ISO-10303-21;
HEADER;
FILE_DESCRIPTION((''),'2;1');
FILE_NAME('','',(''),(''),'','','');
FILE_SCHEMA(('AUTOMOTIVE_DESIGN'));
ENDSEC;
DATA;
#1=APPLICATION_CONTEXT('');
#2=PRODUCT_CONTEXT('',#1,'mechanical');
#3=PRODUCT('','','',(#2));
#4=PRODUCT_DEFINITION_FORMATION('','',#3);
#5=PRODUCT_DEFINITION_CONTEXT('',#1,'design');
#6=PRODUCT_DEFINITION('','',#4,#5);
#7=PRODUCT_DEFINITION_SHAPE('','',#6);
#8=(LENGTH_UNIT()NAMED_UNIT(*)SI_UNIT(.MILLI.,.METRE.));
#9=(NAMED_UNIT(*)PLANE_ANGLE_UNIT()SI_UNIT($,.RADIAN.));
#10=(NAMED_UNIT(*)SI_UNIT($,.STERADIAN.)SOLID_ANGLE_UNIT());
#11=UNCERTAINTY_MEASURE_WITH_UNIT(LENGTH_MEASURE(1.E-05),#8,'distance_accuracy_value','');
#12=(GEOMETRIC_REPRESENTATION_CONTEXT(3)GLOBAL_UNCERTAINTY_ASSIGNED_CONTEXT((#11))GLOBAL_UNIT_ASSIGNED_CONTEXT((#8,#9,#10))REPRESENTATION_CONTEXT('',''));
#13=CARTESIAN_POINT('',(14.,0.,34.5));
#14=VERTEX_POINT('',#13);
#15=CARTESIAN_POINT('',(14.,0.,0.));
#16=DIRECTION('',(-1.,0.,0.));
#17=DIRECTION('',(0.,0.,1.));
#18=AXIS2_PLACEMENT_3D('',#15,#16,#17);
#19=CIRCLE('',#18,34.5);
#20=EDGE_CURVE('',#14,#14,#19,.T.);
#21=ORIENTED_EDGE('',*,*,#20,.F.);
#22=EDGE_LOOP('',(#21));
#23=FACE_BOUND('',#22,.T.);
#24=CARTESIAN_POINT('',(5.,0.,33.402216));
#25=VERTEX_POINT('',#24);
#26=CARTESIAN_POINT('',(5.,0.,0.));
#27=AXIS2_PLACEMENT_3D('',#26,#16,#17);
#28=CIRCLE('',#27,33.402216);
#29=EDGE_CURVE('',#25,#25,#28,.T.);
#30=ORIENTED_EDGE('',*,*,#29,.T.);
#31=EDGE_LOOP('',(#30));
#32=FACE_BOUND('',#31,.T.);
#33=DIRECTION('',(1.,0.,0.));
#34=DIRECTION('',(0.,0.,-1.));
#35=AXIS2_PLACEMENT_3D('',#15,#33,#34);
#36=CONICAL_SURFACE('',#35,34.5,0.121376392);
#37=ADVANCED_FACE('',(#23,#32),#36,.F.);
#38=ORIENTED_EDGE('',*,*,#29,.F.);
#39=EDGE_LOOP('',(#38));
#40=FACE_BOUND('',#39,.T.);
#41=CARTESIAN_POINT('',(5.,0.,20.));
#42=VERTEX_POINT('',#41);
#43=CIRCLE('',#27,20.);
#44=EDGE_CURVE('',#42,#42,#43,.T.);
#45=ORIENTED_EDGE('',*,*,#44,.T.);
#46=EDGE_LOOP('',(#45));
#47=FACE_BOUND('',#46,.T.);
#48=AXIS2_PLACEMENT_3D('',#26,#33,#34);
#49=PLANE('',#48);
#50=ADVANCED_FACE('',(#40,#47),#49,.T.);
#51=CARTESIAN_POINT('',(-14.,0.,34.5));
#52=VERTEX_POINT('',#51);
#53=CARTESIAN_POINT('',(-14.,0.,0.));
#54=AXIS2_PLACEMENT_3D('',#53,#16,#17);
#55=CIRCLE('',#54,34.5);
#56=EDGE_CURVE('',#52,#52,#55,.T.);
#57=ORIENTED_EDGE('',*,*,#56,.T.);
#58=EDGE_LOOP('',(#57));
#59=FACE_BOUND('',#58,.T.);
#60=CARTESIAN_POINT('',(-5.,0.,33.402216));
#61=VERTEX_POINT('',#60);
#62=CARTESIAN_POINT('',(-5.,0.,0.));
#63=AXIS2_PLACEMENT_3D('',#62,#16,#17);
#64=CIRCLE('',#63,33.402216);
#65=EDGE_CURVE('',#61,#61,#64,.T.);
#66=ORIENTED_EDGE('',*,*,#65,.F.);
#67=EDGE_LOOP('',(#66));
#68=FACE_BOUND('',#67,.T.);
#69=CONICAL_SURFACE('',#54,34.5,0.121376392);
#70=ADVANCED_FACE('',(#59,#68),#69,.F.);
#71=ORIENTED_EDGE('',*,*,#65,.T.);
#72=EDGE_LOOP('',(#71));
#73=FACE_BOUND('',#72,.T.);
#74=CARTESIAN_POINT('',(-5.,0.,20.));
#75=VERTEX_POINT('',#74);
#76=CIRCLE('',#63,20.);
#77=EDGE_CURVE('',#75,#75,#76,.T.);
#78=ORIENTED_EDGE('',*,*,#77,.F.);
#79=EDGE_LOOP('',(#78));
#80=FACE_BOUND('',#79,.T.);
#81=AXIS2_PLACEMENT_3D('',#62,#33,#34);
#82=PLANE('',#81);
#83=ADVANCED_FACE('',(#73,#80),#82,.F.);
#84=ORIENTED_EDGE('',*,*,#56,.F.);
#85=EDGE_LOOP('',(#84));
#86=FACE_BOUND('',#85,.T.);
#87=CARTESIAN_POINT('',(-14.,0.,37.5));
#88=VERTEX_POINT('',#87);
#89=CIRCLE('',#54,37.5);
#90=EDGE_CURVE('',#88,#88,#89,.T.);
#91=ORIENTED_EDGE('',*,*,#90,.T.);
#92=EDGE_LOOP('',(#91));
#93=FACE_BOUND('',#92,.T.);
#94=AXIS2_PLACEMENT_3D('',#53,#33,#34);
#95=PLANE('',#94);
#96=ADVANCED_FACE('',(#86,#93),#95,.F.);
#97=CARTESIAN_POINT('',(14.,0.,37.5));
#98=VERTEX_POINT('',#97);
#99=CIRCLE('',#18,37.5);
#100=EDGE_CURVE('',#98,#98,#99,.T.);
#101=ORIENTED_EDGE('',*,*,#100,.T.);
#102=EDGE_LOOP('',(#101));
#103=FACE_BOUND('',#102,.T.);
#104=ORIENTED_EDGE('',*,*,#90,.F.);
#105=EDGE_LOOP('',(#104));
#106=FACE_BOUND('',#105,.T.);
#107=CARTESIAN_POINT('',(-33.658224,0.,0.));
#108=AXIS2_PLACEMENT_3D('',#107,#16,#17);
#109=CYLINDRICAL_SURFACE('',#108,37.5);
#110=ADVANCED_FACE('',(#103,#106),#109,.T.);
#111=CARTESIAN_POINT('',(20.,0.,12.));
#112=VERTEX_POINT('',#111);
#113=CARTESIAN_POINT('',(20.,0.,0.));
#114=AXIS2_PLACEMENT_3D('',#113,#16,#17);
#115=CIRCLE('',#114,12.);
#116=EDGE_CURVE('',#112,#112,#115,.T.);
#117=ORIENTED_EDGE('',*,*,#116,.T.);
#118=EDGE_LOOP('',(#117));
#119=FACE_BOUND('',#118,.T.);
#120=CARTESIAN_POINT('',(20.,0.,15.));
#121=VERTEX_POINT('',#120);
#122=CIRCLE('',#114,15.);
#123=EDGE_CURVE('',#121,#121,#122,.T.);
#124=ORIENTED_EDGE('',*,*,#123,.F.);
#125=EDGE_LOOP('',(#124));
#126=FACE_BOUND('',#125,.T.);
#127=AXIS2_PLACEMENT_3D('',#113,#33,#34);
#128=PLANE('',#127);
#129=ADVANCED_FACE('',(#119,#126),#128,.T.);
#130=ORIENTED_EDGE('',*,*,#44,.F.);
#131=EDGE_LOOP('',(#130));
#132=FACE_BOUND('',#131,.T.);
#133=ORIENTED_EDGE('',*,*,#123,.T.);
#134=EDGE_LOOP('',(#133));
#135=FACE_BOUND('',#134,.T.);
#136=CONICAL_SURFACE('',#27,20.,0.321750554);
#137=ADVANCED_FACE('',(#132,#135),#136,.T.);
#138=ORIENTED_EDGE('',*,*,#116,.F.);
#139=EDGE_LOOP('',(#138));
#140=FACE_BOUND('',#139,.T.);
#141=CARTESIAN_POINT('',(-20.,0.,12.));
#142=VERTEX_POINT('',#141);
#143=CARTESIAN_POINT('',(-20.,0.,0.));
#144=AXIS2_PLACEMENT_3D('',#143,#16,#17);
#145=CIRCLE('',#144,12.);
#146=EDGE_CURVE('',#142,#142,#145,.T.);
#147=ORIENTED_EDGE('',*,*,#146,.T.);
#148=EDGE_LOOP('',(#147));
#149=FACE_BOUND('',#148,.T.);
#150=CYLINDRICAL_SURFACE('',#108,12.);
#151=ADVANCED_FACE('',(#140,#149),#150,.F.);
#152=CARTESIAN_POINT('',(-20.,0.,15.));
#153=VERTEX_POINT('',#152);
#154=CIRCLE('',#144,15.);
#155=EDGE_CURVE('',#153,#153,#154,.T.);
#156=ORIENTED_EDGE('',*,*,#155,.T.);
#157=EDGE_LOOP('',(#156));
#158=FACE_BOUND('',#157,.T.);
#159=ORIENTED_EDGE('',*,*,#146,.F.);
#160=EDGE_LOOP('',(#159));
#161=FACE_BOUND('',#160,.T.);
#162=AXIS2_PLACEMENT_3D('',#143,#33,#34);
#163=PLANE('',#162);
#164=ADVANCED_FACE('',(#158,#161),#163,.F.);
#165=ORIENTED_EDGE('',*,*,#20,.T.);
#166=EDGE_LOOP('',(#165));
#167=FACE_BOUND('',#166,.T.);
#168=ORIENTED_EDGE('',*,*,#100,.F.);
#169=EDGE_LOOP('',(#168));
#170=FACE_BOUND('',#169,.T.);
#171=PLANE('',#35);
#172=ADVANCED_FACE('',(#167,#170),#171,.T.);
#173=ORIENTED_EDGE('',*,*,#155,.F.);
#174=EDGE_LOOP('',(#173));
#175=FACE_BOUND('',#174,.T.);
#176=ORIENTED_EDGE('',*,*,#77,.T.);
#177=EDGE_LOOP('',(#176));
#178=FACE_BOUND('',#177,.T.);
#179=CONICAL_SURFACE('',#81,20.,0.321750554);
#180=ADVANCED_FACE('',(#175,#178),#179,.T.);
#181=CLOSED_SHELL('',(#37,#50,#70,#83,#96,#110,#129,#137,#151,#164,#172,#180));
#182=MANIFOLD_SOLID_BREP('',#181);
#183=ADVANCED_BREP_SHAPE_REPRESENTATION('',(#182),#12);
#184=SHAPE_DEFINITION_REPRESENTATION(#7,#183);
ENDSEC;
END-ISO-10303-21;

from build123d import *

# Parameters (mm, degrees)
SKETCH2_W = 10
SKETCH2_H = 13.40221624


with BuildPart() as part:
    # Sketch2 → Revolve1 (revolve)
    with BuildSketch(Plane.XY, mode=Mode.PRIVATE) as revolve1_sk:
        Polygon((14, 34.5), (5, 33.40221624), (-5, 33.40221624), (-14, 34.5), (-14, 37.5), (14, 37.5), align=None)
        with Locations((0, 26.70110812)):
            Rectangle(SKETCH2_W, SKETCH2_H)
        Polygon((20, 15), (20, 12), (-20, 12), (-20, 15), (-5, 20), (5, 20), align=None)
    revolve(revolve1_sk.sketch.rotate(Axis((-33.658224077, 0, 0), (1, 0, 0)), 90), axis=Axis((-33.658224077, 0, 0), (1, 0, 0)))


solid = part.part
